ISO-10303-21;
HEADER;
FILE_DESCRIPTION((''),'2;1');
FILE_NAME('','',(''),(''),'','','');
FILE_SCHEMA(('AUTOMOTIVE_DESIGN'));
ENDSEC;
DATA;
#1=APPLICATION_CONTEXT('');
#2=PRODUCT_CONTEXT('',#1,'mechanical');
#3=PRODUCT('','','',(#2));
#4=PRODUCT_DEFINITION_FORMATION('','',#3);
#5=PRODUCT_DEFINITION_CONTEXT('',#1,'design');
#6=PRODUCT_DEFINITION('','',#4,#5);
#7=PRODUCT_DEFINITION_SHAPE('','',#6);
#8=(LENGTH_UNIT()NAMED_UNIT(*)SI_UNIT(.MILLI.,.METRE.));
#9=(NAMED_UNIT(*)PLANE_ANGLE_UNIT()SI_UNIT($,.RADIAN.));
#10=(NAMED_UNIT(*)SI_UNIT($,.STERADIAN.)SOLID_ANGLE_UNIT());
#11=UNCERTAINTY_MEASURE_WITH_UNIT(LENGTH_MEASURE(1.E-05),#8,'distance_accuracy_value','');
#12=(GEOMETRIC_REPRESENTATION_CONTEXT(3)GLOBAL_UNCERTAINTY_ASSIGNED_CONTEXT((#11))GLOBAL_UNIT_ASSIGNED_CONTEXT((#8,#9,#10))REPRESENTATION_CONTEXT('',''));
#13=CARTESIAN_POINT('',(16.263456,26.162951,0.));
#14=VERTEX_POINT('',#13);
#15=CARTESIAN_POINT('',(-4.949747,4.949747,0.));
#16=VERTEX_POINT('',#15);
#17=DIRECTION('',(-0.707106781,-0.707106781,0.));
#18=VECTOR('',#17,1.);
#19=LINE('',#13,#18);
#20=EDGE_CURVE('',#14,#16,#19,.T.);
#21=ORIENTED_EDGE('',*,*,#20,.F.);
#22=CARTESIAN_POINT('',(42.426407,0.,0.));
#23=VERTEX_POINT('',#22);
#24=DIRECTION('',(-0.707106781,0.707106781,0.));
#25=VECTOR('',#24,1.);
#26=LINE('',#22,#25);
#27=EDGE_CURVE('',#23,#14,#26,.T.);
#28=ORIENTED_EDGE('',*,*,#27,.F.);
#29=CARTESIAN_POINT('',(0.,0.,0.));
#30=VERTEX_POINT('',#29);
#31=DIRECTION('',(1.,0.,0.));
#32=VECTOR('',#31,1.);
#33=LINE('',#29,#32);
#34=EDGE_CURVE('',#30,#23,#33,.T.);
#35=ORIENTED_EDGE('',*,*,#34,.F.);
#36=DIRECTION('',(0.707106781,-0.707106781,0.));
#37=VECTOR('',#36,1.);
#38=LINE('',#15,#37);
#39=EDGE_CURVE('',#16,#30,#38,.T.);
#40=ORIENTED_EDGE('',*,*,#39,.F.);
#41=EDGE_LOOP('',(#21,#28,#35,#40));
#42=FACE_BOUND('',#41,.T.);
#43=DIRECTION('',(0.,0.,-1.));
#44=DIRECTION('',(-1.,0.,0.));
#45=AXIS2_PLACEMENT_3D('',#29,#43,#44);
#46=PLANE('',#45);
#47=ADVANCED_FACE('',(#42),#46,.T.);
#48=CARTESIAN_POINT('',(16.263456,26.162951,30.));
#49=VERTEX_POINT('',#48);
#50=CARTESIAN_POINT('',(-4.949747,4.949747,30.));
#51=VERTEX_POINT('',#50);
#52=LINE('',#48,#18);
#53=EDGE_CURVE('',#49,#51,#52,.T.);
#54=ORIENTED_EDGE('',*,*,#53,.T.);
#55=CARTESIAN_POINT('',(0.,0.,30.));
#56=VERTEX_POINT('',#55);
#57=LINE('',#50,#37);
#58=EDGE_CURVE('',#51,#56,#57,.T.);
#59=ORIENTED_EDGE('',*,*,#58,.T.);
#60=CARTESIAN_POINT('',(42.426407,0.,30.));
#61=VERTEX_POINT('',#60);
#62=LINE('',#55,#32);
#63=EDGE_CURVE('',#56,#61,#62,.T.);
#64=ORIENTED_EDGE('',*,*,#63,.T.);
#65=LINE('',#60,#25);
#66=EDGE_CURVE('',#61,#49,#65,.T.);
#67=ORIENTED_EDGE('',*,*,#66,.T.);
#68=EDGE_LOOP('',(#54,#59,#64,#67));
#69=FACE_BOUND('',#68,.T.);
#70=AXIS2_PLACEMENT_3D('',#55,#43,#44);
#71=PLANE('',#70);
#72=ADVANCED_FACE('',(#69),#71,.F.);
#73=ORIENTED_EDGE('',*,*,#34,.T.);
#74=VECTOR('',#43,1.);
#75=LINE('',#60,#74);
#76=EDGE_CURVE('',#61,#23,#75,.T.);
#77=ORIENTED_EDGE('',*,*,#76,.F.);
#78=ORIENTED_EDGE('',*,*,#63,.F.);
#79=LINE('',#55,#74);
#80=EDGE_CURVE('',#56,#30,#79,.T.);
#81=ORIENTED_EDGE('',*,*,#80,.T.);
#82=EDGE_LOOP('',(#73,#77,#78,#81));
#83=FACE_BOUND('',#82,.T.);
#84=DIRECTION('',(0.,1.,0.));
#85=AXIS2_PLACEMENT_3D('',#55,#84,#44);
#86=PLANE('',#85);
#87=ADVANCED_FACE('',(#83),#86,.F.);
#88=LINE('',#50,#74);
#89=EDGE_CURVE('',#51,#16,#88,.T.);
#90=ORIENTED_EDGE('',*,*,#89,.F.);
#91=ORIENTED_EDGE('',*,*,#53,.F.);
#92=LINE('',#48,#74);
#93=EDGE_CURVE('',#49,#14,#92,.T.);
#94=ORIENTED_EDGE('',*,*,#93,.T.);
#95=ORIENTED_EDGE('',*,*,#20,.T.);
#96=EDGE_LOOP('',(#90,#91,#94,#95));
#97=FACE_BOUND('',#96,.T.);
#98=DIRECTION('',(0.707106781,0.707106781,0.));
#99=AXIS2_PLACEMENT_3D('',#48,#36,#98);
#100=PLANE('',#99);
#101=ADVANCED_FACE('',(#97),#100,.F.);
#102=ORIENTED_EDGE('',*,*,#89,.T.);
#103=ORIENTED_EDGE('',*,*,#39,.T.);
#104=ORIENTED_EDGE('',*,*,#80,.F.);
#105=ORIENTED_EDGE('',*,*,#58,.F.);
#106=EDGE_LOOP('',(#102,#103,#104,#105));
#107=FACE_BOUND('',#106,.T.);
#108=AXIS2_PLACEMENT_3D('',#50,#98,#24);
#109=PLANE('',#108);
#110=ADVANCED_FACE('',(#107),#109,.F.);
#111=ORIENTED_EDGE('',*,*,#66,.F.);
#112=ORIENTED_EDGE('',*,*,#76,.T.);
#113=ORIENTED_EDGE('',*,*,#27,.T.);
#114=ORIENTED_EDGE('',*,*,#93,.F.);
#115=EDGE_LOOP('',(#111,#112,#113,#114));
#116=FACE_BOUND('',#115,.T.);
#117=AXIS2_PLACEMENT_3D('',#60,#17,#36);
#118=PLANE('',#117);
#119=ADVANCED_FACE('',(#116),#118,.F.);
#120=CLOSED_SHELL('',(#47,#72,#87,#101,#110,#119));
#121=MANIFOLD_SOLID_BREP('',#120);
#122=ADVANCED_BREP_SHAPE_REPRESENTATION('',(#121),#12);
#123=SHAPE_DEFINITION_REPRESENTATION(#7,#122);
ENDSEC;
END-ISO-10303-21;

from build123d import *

# Parameters (mm, degrees)
EXTRUDE_1_DEPTH = 30


with BuildPart() as part:
    # 草图1 → 凸台-拉伸1 (new body)
    with BuildSketch(Plane.XY):
        Polygon((0, 0), (42.426406871, 0), (16.263455967, 26.162950904), (-4.949747468, 4.949747468), align=None)
    extrude(amount=EXTRUDE_1_DEPTH)


solid = part.part
